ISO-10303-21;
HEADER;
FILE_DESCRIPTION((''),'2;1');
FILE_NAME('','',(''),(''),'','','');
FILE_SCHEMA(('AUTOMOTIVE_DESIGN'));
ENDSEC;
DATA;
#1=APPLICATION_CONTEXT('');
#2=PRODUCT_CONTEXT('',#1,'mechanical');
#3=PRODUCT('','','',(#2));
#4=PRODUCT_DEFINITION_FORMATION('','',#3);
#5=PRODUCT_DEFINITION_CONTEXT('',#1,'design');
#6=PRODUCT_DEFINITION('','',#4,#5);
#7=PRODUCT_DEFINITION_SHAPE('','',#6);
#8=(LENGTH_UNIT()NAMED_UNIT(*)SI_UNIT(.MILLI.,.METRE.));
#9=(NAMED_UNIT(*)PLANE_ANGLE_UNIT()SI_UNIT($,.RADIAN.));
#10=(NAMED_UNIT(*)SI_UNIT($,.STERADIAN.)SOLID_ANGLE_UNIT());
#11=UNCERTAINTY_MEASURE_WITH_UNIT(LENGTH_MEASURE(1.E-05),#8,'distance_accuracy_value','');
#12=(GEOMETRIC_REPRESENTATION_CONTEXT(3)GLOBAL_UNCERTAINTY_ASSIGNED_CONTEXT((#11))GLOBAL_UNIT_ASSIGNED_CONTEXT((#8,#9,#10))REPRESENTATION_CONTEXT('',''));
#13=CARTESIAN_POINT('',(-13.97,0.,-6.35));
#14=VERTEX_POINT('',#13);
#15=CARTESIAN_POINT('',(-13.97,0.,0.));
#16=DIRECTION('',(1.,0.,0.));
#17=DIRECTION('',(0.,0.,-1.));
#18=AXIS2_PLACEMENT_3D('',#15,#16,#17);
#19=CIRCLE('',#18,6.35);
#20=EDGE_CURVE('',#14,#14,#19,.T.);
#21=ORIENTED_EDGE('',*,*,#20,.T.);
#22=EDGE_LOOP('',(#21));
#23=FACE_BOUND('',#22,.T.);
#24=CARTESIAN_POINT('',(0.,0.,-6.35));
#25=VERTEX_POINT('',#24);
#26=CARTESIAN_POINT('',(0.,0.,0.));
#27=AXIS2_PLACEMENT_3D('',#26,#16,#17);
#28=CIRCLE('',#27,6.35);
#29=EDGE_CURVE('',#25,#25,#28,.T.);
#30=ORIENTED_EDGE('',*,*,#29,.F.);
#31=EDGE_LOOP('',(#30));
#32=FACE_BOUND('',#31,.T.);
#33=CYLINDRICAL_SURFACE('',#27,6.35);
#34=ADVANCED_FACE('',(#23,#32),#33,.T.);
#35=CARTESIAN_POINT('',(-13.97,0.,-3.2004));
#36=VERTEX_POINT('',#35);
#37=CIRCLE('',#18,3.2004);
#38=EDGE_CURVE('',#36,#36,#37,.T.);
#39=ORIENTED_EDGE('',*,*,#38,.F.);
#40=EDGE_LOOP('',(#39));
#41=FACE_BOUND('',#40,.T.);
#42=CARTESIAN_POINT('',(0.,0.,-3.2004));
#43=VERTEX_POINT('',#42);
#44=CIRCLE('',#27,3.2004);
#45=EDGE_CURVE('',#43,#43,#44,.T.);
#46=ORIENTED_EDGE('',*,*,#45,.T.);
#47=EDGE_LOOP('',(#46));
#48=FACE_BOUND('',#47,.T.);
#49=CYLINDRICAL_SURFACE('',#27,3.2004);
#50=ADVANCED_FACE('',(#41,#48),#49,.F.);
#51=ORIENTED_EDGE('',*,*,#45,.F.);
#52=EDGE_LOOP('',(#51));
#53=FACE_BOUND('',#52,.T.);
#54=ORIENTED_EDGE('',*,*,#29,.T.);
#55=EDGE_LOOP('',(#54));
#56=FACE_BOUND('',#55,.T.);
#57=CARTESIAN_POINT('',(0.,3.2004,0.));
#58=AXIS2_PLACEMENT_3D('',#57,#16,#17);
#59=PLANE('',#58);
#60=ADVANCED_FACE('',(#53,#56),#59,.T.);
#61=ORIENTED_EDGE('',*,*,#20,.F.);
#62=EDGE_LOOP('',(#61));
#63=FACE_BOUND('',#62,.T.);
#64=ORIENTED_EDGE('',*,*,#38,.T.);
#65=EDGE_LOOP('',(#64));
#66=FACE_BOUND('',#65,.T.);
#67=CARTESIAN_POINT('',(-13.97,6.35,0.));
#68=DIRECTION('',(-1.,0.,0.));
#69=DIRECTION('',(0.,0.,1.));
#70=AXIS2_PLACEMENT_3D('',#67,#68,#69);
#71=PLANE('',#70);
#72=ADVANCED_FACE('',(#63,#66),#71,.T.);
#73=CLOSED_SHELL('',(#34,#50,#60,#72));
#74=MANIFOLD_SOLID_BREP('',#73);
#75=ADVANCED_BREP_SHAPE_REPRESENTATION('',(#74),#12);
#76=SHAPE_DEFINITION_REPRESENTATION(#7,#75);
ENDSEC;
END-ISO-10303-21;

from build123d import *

# Parameters (mm, degrees)
SKETCH1_W = 13.97
SKETCH1_H = 3.1496


with BuildPart() as part:
    # Sketch1 → Revolve1 (revolve)
    with BuildSketch(Plane.XY, mode=Mode.PRIVATE) as revolve1_sk:
        with Locations((-6.985, 4.7752)):
            Rectangle(SKETCH1_W, SKETCH1_H)
    revolve(revolve1_sk.sketch.rotate(Axis((0, 0, 0), (-1, 0, 0)), 90), axis=Axis((0, 0, 0), (-1, 0, 0)))


solid = part.part
